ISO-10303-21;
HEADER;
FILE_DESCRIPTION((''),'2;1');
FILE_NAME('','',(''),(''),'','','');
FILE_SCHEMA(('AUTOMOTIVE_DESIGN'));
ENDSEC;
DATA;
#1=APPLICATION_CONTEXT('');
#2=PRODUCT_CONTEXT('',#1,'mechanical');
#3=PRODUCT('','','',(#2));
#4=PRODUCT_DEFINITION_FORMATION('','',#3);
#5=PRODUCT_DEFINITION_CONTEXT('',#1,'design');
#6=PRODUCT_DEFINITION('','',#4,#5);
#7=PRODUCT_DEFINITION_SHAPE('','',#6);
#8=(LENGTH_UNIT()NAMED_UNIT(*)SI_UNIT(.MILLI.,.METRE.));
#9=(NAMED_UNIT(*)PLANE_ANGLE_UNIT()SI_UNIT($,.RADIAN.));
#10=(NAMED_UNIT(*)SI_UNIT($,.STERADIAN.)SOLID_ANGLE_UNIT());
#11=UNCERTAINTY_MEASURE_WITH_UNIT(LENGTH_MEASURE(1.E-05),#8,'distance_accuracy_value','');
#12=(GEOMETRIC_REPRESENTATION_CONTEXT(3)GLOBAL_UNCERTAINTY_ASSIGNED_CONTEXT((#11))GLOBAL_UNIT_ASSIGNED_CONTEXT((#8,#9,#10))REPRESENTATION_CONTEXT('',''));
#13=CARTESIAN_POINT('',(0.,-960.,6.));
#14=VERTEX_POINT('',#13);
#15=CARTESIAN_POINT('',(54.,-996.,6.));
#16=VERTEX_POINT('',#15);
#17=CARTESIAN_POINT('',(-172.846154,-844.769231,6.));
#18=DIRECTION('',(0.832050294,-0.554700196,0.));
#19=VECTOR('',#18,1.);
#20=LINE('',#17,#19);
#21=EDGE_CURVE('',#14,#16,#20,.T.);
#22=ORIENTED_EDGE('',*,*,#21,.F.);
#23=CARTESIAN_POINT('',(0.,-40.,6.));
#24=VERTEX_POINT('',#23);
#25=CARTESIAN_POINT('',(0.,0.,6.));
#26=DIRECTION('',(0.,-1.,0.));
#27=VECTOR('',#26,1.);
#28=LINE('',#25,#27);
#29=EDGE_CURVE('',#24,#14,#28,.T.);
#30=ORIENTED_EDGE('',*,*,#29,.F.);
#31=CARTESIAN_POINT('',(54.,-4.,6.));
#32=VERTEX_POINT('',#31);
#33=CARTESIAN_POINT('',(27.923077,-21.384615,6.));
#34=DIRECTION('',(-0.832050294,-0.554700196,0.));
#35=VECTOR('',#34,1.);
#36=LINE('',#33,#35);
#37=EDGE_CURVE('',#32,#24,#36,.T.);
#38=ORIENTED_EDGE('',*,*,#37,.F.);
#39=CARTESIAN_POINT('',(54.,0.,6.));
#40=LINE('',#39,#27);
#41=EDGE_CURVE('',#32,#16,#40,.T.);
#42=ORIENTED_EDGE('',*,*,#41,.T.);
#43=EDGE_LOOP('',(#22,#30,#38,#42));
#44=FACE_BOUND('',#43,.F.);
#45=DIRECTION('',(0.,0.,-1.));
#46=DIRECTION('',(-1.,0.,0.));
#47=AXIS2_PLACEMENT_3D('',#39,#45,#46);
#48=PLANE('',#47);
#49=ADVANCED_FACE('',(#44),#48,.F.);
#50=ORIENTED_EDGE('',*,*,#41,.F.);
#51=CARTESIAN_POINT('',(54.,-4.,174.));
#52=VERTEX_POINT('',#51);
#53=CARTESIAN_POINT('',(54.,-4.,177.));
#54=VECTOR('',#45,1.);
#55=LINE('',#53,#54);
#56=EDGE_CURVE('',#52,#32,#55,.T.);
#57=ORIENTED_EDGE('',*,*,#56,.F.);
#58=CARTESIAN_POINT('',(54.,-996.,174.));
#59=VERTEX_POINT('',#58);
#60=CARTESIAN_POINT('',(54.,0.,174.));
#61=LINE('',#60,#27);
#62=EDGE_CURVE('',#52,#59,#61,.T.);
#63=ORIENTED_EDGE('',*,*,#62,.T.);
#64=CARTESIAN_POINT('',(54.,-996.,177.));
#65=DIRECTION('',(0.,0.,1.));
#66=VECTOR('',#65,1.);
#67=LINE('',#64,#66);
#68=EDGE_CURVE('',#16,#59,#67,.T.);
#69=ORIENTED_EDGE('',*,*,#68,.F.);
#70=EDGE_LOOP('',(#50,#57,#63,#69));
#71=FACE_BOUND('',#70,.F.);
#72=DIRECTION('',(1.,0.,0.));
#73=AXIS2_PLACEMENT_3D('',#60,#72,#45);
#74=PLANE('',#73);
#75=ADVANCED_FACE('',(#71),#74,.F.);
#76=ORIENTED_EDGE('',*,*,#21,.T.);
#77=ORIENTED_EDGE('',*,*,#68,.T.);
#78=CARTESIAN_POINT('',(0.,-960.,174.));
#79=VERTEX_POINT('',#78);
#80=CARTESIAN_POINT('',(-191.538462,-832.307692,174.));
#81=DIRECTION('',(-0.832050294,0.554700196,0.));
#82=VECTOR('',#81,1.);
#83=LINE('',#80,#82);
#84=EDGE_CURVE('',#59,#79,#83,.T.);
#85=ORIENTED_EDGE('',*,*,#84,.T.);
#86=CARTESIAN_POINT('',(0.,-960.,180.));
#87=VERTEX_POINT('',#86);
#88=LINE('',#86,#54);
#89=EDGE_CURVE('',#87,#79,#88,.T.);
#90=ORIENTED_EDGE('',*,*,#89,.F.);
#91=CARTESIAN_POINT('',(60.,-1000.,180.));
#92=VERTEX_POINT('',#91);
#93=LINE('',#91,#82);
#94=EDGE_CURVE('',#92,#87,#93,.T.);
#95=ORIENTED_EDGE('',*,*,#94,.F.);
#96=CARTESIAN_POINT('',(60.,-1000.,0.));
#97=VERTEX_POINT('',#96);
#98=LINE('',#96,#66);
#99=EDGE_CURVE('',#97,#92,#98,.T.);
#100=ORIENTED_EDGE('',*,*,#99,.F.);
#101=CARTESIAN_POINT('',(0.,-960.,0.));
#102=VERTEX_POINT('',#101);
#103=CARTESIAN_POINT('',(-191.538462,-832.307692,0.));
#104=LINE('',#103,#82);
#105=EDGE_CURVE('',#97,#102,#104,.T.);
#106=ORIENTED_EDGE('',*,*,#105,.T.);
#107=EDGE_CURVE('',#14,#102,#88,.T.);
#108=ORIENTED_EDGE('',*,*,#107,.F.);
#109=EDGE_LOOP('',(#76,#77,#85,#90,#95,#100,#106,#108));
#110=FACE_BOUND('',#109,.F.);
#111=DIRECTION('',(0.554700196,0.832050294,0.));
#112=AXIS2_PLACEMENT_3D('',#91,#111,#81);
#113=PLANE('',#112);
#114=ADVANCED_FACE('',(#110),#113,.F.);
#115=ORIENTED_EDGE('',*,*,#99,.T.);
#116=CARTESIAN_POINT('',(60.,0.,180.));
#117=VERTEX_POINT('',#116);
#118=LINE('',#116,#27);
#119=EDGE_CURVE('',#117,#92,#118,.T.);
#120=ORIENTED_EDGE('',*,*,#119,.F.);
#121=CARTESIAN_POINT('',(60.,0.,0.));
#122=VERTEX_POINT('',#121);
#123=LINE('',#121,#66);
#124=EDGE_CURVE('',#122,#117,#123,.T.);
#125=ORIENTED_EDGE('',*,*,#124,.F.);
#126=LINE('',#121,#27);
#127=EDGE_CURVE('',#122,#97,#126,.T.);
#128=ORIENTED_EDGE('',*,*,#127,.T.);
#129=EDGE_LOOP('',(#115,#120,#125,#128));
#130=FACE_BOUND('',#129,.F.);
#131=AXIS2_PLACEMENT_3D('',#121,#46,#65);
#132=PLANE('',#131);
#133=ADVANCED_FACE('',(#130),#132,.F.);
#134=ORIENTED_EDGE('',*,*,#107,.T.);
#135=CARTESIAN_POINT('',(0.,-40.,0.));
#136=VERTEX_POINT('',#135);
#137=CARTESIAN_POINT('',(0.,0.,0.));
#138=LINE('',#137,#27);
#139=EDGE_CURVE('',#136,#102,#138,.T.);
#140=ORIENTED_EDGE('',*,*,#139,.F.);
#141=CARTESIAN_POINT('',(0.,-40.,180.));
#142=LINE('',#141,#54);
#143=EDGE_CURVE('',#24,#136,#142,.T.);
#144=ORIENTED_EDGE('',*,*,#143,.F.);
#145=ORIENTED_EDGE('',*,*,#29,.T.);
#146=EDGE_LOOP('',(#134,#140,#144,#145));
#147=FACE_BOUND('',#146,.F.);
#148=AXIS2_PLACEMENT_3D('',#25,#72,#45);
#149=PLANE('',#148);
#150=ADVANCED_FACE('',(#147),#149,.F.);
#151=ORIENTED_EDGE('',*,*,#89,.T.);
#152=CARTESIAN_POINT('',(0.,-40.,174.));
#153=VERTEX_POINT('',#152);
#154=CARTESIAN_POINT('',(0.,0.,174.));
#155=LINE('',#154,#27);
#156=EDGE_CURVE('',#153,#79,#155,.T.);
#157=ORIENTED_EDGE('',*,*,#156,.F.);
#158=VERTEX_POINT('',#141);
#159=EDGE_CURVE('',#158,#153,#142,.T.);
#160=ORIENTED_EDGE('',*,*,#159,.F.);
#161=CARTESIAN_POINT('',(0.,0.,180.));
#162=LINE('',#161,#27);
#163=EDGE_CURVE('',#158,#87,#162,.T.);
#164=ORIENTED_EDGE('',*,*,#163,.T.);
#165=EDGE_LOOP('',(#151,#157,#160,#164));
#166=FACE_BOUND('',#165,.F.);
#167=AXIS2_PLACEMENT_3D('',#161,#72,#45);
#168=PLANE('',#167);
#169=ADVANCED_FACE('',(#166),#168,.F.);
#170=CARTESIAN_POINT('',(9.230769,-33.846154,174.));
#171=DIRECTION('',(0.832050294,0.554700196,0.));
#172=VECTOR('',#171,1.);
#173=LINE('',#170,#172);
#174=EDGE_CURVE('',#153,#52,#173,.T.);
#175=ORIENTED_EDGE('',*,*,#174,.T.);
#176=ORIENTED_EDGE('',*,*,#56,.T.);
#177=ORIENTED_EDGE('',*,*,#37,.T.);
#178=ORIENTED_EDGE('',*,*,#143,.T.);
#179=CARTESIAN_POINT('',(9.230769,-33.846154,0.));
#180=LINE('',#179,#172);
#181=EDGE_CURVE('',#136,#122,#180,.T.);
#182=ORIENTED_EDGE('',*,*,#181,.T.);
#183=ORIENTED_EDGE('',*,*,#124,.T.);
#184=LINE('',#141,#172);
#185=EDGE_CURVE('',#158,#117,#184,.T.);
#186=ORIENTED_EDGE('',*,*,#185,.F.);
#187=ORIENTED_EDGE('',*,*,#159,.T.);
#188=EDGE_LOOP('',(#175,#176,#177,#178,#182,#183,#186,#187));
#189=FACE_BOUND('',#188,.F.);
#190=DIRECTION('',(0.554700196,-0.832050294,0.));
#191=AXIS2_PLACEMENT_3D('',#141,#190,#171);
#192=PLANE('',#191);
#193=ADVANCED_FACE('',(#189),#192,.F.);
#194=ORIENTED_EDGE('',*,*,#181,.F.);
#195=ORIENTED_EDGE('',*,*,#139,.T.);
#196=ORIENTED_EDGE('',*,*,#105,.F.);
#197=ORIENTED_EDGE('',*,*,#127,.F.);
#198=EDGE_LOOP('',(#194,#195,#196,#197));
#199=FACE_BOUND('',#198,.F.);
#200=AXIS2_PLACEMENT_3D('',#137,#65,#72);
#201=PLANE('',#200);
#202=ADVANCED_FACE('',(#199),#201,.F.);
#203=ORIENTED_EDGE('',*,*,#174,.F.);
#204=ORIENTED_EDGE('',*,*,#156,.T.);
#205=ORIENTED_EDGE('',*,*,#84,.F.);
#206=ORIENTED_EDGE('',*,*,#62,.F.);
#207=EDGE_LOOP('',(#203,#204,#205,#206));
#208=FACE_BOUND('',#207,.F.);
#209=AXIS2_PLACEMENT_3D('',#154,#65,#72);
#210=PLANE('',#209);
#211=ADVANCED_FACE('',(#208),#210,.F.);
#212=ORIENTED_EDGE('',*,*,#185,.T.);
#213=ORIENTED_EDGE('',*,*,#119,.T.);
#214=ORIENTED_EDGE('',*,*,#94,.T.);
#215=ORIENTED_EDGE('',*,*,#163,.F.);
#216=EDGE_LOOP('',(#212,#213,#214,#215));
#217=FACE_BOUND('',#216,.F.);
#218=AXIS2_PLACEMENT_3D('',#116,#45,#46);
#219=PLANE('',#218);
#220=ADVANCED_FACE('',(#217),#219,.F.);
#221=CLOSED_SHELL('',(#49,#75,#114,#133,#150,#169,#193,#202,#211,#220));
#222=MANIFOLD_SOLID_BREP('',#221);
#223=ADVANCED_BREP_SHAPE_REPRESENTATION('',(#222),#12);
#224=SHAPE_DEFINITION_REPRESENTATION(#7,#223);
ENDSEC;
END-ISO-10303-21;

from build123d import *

# Parameters (mm, degrees)
F1_DEPTH = 1000
F3_DEPTH = 180.001


with BuildPart() as f1:
    # F0 (on Front) → F1 (new body)
    with BuildSketch(Plane.XZ):
        Polygon((0, 6), (0, 0), (60, 0), (60, 180), (0, 180), (0, 174), (54, 174), (54, 6), align=None)
    extrude(amount=F1_DEPTH)

    # F2 (on face) → F3 (cut, through all)
    with BuildSketch(Plane.XY.offset(180)):
        Polygon((60, -1000), (0, -960), (0, -1000), align=None)
        Polygon((0, 0), (0, -40), (60, 0), align=None)
    extrude(amount=-F3_DEPTH, mode=Mode.SUBTRACT)


solid = f1.part
